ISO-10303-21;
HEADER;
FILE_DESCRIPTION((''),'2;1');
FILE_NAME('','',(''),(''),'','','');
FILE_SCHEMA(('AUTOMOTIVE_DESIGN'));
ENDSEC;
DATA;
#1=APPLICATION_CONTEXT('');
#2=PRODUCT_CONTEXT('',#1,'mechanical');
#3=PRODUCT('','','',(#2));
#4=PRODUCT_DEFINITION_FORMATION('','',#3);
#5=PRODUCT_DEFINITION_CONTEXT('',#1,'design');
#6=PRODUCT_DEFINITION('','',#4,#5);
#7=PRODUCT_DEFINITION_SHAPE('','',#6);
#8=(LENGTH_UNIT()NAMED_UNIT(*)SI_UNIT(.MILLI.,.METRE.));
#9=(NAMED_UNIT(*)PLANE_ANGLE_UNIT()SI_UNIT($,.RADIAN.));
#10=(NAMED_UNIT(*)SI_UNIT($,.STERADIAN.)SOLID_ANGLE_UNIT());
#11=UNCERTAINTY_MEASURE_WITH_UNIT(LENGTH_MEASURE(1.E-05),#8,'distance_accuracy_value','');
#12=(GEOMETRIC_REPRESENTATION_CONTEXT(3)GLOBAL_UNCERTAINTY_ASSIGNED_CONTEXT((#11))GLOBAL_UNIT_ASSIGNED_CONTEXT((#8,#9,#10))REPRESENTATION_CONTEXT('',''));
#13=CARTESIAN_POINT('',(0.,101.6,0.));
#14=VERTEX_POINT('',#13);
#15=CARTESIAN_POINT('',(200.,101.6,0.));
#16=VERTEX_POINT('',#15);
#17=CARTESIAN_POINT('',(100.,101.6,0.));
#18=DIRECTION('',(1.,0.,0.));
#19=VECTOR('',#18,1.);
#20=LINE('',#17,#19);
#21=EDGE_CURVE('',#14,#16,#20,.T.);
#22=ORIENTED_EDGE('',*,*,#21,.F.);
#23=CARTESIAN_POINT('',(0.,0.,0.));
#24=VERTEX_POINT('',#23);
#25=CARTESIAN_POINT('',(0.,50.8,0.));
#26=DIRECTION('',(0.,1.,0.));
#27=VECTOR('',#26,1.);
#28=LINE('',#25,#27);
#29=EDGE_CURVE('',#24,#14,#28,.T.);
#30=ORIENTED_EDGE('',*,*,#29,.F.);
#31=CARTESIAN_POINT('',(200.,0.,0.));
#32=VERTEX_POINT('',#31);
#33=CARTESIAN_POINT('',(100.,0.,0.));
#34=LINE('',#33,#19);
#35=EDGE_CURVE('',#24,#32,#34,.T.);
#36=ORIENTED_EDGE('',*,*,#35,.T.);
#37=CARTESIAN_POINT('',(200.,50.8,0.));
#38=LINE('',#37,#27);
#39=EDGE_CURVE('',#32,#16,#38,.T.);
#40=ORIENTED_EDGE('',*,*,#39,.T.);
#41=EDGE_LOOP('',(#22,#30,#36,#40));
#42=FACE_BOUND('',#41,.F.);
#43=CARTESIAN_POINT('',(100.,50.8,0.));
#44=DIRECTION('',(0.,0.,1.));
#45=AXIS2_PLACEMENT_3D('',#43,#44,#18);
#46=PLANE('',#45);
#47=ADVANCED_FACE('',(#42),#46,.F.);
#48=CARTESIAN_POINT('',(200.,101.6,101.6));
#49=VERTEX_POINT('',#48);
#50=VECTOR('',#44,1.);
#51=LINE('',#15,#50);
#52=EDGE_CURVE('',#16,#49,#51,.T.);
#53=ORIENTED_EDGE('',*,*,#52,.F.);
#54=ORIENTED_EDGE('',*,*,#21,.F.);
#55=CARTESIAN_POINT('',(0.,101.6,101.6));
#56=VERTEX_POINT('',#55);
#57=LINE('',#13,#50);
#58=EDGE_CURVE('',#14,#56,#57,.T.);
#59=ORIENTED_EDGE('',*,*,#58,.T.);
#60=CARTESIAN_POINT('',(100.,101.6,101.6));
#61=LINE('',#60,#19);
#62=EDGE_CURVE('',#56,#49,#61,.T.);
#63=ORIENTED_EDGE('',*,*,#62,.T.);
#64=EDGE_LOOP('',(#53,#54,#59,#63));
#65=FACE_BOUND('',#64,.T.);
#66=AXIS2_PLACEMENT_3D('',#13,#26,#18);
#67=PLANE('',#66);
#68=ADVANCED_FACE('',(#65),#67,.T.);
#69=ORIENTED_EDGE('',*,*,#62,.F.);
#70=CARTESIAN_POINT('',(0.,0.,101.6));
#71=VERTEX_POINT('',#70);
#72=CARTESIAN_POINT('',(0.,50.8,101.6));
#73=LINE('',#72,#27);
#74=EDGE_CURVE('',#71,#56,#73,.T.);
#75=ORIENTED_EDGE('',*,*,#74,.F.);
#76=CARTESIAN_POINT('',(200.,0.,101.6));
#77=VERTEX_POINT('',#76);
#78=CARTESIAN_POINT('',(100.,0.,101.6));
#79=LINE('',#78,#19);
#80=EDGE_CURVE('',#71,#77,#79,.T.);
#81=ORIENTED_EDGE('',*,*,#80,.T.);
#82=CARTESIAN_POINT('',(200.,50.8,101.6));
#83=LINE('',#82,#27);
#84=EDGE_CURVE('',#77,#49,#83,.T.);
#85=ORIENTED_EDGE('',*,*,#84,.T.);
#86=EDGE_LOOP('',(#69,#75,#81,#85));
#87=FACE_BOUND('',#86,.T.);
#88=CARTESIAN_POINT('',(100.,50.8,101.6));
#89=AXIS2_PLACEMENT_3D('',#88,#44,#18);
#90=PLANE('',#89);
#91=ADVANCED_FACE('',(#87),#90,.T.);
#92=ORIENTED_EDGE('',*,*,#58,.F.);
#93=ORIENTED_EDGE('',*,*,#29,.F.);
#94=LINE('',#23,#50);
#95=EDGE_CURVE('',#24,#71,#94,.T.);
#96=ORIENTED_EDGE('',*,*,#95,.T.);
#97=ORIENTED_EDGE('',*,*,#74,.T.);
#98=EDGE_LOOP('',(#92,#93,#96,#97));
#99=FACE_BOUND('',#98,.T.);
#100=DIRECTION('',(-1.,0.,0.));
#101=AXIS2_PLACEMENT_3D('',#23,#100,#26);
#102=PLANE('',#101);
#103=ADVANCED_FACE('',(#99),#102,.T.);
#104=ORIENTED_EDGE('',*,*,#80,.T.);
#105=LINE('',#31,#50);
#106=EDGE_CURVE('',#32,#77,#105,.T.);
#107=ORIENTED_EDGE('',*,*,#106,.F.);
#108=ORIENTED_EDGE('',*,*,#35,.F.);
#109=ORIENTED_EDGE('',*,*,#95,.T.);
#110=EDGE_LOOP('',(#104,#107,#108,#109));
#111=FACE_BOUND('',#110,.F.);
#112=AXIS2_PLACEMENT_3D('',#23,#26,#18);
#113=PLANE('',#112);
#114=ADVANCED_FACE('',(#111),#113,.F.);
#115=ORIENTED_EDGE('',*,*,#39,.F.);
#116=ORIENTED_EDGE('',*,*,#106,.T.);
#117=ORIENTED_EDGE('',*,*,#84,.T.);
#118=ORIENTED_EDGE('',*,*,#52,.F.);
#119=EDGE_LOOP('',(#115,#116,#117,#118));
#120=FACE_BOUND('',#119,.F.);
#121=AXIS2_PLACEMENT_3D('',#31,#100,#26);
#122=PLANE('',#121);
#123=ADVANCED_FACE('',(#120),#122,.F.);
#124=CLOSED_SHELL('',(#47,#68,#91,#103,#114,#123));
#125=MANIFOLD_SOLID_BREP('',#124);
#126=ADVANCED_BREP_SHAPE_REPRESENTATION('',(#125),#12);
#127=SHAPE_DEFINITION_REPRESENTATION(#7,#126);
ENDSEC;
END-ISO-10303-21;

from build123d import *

# Parameters (mm, degrees)
SKETCH_W  = 200
SKETCH_H  = 101.6
PAD_DEPTH = 101.6


with BuildPart() as part:
    # Sketch → Pad (new body)
    with BuildSketch(Plane.XY):
        with Locations((100, 50.8)):
            Rectangle(SKETCH_W, SKETCH_H)
    extrude(amount=PAD_DEPTH)


solid = part.part
